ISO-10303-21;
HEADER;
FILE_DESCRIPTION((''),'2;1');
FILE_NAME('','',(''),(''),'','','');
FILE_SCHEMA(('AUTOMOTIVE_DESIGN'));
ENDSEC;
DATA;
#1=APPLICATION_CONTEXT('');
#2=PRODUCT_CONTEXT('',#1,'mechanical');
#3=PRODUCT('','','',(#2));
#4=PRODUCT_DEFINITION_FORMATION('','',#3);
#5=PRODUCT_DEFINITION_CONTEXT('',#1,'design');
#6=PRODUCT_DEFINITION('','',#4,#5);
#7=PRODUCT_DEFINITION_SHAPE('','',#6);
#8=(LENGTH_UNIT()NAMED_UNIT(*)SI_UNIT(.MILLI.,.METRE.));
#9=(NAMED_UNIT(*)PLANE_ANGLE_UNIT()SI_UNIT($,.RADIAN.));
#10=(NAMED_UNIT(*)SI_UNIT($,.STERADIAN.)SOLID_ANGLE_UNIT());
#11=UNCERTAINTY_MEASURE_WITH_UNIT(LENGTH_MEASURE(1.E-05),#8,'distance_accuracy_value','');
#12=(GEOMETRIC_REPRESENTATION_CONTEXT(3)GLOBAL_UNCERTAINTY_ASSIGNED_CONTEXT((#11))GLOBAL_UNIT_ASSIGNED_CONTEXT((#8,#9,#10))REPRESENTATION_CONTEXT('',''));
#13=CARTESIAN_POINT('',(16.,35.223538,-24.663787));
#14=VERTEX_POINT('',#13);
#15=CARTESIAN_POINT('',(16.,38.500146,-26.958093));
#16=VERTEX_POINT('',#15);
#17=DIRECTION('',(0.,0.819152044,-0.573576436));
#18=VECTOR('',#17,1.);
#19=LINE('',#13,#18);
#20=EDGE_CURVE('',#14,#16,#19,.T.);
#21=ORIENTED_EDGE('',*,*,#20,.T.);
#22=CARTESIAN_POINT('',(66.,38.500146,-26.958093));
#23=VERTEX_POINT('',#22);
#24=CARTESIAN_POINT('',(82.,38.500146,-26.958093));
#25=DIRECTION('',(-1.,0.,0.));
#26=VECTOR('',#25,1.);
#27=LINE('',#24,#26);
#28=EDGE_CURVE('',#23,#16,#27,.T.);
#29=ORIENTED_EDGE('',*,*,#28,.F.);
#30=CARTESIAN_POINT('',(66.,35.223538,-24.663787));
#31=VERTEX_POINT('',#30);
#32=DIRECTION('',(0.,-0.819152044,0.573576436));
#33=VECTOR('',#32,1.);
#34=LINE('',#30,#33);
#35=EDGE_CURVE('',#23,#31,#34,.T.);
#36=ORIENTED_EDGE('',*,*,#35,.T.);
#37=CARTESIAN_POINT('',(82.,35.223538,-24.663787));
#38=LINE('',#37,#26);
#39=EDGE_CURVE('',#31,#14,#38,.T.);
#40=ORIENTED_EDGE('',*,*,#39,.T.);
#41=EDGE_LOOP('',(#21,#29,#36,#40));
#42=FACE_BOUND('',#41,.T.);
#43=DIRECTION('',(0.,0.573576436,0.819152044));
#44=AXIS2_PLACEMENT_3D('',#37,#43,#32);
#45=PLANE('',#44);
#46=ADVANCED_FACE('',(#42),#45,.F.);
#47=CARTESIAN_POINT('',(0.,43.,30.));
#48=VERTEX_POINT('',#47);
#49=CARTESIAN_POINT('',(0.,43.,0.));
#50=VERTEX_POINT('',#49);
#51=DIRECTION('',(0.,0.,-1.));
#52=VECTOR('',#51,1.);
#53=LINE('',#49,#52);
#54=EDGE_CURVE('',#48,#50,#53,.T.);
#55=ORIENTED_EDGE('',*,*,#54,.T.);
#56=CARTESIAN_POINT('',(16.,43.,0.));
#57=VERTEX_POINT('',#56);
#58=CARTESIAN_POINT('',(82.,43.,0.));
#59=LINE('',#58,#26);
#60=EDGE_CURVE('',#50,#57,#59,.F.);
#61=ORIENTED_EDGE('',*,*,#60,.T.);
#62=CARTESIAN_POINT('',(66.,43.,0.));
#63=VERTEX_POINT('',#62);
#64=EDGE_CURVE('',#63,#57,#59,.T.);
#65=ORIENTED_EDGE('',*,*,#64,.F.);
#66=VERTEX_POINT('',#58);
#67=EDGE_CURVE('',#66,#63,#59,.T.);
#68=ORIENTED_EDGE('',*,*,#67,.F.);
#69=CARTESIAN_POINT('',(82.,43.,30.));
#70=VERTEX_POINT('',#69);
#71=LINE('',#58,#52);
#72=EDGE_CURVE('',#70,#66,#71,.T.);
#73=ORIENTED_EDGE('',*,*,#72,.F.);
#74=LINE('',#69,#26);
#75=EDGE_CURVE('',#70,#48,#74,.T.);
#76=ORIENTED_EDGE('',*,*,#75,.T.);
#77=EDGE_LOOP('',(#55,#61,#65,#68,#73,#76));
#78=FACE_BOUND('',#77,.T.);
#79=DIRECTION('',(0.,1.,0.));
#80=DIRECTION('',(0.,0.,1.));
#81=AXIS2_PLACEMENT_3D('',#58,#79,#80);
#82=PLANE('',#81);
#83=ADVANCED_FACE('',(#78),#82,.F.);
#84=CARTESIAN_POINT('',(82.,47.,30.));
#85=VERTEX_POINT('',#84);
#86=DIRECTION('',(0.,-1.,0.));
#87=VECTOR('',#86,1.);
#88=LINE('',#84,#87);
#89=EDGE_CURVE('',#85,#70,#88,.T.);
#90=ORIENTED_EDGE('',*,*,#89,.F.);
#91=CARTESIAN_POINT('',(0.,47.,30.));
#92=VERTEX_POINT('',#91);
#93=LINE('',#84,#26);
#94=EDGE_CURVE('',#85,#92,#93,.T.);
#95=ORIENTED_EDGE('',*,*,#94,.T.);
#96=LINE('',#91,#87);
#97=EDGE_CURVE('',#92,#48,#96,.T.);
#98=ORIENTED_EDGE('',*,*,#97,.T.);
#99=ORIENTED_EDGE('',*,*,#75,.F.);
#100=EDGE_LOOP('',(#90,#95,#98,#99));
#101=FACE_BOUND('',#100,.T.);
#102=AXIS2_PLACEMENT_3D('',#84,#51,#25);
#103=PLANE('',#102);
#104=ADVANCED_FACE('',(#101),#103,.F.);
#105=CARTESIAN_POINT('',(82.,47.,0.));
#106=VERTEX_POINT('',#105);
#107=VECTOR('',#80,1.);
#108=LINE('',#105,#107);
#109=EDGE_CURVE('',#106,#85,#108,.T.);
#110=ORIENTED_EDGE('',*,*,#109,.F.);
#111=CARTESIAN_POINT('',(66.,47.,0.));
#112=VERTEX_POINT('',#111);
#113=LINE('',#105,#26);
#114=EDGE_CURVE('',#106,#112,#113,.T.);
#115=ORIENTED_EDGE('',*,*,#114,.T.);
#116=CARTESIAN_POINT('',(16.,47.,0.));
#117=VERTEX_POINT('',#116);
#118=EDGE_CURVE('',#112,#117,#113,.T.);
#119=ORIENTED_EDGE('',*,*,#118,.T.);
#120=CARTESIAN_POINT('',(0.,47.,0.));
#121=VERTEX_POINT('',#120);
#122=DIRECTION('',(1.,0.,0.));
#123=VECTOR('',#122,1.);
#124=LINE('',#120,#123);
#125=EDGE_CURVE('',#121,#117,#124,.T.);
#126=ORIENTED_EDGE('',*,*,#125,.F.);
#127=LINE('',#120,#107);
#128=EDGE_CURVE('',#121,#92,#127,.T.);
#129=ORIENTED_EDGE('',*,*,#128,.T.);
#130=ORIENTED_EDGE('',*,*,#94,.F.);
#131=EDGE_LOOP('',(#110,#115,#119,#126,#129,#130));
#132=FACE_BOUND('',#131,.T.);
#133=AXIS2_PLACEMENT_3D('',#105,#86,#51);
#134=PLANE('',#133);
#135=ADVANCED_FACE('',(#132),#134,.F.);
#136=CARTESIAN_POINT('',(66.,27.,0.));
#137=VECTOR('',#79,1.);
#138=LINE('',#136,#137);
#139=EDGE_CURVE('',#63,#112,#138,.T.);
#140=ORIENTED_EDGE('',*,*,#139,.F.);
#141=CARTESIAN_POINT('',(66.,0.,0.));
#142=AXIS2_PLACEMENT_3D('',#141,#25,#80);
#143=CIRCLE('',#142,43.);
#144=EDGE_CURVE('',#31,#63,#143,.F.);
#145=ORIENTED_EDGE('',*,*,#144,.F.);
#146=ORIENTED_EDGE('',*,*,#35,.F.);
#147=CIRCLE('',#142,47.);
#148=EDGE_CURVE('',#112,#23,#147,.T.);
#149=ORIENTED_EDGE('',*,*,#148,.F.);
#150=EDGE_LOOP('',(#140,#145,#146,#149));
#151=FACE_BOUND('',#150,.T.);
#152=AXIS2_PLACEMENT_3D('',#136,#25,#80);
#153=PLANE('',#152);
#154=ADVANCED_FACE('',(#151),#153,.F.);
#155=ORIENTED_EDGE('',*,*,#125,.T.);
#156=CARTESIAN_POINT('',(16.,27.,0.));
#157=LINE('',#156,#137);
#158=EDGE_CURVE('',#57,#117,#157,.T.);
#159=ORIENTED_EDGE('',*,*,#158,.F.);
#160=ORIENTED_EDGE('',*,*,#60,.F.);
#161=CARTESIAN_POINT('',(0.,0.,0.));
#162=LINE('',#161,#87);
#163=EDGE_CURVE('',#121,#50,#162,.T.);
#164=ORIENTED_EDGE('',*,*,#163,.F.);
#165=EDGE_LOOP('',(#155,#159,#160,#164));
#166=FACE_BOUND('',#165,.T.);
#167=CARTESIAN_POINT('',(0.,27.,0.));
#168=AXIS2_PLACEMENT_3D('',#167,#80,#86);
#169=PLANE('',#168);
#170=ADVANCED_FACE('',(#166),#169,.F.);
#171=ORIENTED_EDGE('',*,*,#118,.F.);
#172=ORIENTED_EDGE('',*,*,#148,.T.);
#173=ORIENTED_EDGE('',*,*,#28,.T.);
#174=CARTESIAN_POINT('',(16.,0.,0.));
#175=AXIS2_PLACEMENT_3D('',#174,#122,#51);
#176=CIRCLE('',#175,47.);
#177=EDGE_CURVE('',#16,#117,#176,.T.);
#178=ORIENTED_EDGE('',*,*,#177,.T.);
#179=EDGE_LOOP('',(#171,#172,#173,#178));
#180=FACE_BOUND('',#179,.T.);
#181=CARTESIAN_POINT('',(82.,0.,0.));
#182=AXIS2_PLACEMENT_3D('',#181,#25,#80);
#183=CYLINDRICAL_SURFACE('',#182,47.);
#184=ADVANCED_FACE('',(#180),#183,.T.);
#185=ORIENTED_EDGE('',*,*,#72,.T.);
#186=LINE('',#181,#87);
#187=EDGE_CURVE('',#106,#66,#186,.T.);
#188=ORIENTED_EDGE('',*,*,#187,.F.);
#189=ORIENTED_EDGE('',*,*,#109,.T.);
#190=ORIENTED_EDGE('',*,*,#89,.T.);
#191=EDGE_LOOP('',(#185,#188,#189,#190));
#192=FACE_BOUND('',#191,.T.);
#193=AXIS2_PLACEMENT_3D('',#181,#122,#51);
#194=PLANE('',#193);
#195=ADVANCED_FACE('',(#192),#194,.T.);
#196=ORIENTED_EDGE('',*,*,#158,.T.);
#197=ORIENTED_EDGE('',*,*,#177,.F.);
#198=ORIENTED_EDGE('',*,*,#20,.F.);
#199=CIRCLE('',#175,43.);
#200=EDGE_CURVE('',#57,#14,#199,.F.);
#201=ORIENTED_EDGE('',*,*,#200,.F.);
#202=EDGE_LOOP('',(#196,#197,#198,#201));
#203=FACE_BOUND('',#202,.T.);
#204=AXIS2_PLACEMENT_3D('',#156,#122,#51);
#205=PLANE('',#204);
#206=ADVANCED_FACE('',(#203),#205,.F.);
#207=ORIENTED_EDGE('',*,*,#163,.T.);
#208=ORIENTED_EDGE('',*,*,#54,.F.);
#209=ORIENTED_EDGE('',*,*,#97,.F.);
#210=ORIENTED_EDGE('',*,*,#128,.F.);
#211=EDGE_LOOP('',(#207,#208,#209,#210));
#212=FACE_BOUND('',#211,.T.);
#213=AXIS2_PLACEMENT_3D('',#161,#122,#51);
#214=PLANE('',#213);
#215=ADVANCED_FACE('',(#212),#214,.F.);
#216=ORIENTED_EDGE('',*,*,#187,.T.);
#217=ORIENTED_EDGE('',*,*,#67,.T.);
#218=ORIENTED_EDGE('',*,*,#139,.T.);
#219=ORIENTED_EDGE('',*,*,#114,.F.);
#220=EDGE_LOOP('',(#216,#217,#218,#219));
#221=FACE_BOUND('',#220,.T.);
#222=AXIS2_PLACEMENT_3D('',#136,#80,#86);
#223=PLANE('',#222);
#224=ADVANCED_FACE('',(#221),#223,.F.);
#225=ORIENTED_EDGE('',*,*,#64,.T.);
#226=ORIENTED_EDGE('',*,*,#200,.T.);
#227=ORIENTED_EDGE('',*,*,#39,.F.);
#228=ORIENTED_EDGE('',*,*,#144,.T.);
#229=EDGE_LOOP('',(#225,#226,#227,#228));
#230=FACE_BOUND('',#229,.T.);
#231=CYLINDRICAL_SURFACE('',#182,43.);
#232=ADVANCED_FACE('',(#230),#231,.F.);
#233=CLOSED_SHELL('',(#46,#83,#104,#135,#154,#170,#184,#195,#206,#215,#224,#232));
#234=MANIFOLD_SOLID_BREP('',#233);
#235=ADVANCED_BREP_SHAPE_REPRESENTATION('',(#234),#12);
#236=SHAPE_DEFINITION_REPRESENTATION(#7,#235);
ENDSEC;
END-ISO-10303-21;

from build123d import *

# Parameters (mm, degrees)
ESTRUSIONE_ESTRUSIONE1_DEPTH = 82
SCHIZZO2_W                   = 16
SCHIZZO2_H                   = 26.958092508
TAGLIO_ESTRUSIONE1_DEPTH     = 20


with BuildPart() as part:
    # Schizzo1 → Estrusione-Estrusione1 (new body)
    with BuildSketch(Plane(origin=(0, 0, 0), x_dir=(0, 0, -1), z_dir=(1, 0, 0))):
        with BuildLine():
            Line((0, 47), (-30, 47))
            Line((-30, 47), (-30, 43))
            Line((-30, 43), (0, 43))
            ThreePointArc((0, 43), (12.930349379, 41.009828882), (24.663786763, 35.223537904))
            Line((24.663786763, 35.223537904), (26.958092508, 38.500146082))
            ThreePointArc((26.958092508, 38.500146082), (14.133172577, 44.824696685), (0, 47))
        make_face()
    extrude(amount=ESTRUSIONE_ESTRUSIONE1_DEPTH)

    # Schizzo2 → Taglio-Estrusione1 (cut)
    with BuildSketch(Plane(origin=(0, 47, 0), x_dir=(1, 0, 0), z_dir=(0, 1, 0))):
        with Locations((8, 13.479046254)):
            Rectangle(SCHIZZO2_W, SCHIZZO2_H)
        with Locations((74, 13.479046254)):
            Rectangle(SCHIZZO2_W, SCHIZZO2_H)
    extrude(amount=-TAGLIO_ESTRUSIONE1_DEPTH, mode=Mode.SUBTRACT)


solid = part.part
